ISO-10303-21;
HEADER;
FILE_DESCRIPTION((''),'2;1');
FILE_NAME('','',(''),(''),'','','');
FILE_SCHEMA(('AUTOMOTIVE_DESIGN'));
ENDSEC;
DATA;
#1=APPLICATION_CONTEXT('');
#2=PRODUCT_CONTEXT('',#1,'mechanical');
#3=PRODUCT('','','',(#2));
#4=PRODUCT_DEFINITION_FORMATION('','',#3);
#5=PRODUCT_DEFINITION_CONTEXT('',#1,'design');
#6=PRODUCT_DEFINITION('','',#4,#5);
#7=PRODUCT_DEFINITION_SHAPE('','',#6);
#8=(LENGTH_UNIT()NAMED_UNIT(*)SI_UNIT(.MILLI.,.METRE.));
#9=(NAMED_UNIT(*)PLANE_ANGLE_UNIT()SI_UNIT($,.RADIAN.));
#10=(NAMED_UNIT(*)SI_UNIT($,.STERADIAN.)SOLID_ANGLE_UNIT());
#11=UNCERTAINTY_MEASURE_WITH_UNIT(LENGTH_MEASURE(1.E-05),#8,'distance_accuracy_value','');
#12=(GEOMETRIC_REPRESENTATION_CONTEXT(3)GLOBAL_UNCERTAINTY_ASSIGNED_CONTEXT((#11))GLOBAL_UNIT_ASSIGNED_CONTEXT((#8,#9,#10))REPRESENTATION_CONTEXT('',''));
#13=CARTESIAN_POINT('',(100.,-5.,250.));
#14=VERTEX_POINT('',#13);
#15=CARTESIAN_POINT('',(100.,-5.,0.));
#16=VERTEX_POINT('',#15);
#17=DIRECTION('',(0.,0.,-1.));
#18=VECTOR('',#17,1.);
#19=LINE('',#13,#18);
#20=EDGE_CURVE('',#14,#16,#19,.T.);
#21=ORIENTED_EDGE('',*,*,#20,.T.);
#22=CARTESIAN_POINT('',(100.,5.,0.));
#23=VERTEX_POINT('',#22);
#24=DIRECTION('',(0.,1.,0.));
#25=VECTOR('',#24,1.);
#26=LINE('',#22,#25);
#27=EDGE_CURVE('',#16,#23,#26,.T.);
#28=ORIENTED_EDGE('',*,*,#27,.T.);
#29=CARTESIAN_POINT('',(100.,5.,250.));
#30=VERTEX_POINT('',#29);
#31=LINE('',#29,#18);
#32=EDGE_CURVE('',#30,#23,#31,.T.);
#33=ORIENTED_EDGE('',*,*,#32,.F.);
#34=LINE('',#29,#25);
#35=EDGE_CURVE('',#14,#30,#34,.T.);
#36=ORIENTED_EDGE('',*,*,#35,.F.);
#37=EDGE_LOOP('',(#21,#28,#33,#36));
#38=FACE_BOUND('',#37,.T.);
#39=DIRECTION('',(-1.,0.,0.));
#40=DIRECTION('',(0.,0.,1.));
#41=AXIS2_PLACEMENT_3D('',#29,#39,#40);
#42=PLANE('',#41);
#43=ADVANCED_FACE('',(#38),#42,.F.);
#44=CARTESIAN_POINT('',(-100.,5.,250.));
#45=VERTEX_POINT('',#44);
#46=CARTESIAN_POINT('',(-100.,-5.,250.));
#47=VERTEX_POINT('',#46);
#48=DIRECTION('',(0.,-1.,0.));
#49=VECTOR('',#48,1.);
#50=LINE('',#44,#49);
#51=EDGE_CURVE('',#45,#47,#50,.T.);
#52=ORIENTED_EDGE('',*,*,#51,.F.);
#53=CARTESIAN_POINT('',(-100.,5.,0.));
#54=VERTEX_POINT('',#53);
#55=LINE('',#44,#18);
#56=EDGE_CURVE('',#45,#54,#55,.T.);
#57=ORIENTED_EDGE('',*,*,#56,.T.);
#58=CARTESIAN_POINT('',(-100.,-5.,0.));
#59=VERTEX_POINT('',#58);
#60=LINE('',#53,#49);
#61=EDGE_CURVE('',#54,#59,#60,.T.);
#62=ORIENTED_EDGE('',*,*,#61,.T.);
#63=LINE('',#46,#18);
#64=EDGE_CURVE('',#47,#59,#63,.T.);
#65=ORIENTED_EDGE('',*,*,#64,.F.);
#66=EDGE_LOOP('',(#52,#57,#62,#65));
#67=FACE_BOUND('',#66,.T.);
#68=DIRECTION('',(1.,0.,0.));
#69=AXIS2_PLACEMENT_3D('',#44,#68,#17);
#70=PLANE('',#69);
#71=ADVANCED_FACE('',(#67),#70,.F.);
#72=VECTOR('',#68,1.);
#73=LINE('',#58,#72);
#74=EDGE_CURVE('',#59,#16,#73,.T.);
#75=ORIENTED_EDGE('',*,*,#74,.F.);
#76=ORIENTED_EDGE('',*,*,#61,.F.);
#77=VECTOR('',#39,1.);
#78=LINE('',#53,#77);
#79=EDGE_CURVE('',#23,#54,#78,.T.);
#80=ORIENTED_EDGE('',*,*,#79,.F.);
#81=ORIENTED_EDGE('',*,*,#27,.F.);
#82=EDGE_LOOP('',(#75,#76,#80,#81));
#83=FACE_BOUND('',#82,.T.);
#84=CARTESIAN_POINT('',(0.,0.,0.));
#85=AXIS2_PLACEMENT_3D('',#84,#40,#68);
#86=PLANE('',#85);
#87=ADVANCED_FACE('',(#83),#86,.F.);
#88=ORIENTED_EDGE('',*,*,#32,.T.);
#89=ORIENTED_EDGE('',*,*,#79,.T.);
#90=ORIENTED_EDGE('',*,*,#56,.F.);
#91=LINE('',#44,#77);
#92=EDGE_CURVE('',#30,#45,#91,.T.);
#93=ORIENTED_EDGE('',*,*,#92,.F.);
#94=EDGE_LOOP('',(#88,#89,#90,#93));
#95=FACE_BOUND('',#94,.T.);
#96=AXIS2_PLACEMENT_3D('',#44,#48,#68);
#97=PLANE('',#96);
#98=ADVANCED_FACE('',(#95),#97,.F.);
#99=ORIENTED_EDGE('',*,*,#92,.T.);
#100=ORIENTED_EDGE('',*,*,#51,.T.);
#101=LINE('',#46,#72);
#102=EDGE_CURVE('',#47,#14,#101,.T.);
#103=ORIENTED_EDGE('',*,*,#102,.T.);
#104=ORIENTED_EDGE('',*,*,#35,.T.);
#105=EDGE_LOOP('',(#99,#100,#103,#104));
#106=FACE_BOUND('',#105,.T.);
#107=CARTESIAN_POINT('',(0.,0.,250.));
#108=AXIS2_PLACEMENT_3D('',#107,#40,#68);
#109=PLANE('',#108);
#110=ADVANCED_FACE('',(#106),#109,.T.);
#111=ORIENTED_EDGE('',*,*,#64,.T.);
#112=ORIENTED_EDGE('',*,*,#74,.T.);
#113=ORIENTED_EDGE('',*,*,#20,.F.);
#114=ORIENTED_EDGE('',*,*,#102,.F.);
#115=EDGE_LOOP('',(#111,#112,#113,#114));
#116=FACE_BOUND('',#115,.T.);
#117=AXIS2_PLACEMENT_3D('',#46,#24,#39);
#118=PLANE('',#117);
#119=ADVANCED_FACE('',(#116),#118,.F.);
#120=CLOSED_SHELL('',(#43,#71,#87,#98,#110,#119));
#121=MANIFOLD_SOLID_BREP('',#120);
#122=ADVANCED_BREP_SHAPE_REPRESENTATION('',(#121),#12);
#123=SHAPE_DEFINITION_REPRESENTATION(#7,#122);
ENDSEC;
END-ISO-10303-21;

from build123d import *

# Parameters (mm, degrees)
SKETCH_1_W      = 200
SKETCH_1_H      = 10
EXTRUDE_1_DEPTH = 250


with BuildPart() as part:
    # Эскиз1 → Бобышка-Вытянуть1 (new body)
    with BuildSketch(Plane.XY):
        Rectangle(SKETCH_1_W, SKETCH_1_H)
    extrude(amount=EXTRUDE_1_DEPTH)


solid = part.part
